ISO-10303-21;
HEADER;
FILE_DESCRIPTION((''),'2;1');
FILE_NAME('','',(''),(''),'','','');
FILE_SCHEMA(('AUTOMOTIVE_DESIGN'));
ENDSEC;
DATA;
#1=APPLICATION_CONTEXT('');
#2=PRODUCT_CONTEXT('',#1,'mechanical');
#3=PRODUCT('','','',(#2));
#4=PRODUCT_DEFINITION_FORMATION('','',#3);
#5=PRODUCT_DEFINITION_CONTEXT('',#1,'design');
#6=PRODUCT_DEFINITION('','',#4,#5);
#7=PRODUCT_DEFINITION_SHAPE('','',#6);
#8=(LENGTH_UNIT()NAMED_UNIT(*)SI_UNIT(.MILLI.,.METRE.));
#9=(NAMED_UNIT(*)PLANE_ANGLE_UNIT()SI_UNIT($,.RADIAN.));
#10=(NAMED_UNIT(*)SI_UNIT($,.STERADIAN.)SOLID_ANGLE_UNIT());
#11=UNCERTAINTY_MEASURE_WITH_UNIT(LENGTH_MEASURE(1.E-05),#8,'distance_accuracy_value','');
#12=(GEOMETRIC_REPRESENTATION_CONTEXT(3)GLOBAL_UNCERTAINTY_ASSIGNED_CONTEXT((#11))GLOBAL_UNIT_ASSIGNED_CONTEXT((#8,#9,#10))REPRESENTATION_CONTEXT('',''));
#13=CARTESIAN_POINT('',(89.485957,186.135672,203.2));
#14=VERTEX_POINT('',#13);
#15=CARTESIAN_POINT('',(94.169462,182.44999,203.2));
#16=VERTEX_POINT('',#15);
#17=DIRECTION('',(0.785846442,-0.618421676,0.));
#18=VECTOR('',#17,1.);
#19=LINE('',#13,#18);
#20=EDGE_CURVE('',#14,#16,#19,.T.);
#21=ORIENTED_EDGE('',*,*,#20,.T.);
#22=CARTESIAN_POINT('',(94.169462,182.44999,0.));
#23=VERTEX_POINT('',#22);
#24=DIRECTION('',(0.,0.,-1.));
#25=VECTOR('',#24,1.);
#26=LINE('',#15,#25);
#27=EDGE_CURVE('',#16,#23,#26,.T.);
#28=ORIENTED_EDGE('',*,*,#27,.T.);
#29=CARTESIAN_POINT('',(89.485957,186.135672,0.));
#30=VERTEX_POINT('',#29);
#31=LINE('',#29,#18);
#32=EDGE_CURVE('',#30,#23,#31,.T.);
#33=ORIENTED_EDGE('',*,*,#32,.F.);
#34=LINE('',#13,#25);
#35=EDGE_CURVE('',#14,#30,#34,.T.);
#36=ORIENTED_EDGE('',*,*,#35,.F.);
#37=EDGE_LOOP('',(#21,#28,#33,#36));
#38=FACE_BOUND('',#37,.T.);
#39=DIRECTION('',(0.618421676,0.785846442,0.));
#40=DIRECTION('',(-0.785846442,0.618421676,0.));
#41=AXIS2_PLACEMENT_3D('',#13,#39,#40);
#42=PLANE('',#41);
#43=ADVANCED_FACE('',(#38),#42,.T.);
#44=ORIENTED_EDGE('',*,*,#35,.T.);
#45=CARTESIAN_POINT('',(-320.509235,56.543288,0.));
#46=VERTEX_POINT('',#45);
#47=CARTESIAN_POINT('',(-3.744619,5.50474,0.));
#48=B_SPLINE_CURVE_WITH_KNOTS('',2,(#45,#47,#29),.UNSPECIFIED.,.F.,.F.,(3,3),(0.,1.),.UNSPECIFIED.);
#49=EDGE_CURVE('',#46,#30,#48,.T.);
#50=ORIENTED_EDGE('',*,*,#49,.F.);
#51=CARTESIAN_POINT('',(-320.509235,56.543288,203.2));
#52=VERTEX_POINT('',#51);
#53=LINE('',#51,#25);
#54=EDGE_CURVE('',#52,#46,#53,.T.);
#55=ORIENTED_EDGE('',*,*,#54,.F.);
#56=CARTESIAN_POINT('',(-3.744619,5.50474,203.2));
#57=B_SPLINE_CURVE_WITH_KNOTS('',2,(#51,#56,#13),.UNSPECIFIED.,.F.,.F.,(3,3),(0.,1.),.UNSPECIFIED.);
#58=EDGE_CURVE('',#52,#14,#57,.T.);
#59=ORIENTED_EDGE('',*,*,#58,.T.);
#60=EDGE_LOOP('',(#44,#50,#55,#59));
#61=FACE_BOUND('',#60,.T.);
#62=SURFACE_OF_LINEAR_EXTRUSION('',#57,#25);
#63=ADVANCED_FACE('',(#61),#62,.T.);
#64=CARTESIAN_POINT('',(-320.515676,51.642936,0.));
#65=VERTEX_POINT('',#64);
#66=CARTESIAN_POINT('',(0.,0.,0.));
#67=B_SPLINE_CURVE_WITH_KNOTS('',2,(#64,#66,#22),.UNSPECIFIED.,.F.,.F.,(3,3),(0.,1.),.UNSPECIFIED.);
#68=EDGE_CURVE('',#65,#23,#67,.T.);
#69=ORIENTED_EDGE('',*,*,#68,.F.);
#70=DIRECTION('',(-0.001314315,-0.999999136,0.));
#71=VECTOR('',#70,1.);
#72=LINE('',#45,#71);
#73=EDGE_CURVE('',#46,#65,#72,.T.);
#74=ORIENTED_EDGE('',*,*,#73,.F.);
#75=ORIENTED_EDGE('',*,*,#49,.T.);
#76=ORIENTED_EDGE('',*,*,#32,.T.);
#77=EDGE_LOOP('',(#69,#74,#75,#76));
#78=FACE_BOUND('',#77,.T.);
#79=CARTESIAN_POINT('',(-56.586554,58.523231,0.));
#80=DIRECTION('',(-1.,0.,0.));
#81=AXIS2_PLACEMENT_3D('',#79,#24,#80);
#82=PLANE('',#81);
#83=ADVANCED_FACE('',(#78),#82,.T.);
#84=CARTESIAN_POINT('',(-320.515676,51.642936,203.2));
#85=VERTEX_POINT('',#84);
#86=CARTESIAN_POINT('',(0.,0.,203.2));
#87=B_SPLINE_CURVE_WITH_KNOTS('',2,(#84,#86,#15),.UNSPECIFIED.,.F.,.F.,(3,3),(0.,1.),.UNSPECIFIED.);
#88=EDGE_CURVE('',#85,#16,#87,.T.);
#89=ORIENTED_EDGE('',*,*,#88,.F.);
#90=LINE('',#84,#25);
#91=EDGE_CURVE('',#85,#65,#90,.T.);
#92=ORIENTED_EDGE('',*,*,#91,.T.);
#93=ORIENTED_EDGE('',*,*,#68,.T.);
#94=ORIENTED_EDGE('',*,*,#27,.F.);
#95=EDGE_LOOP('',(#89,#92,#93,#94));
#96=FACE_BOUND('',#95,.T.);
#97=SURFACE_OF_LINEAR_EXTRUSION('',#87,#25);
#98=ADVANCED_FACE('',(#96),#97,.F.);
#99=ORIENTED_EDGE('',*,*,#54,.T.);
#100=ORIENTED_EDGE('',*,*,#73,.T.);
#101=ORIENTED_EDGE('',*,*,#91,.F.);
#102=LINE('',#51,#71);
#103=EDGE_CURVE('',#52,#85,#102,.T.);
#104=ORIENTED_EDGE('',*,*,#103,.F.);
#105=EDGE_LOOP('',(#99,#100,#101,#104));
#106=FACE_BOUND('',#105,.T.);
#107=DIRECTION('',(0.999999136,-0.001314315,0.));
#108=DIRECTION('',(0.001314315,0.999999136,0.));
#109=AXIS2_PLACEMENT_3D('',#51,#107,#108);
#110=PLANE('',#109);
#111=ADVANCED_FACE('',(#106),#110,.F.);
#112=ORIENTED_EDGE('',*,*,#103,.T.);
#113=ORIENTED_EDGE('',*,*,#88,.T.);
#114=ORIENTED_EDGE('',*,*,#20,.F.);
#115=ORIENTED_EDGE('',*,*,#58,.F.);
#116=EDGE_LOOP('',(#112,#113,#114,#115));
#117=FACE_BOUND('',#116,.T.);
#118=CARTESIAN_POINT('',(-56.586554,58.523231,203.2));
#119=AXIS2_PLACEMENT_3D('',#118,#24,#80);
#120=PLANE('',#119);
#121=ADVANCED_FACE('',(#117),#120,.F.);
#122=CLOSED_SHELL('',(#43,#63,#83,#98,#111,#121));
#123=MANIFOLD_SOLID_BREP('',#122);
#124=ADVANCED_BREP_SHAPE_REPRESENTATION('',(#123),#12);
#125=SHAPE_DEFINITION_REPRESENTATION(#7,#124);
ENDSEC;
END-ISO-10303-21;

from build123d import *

# Parameters (mm, degrees)
BOSS_EXTRUDE1_DEPTH = 203.2


with BuildPart() as part:
    # Sketch1 → Boss-Extrude1 (new body)
    with BuildSketch(Plane.XY):
        with BuildLine():
            Line((-320.50923521, 56.543288118), (-320.515675822, 51.642935818))
            add(Edge.make_bspline(
                [(-320.515675822, 51.642935818), (0, 0), (94.169461642, 182.449989511)],
                knots=[0, 0, 0, 1, 1, 1], degree=2))
            Line((94.169461642, 182.449989511), (89.485957247, 186.135672215))
            add(Edge.make_bspline(
                [(-320.50923521, 56.543288118), (-3.744618922, 5.504739983), (89.485957247, 186.135672215)],
                knots=[0, 0, 0, 1, 1, 1], degree=2))
        make_face()
    extrude(amount=BOSS_EXTRUDE1_DEPTH)


solid = part.part
